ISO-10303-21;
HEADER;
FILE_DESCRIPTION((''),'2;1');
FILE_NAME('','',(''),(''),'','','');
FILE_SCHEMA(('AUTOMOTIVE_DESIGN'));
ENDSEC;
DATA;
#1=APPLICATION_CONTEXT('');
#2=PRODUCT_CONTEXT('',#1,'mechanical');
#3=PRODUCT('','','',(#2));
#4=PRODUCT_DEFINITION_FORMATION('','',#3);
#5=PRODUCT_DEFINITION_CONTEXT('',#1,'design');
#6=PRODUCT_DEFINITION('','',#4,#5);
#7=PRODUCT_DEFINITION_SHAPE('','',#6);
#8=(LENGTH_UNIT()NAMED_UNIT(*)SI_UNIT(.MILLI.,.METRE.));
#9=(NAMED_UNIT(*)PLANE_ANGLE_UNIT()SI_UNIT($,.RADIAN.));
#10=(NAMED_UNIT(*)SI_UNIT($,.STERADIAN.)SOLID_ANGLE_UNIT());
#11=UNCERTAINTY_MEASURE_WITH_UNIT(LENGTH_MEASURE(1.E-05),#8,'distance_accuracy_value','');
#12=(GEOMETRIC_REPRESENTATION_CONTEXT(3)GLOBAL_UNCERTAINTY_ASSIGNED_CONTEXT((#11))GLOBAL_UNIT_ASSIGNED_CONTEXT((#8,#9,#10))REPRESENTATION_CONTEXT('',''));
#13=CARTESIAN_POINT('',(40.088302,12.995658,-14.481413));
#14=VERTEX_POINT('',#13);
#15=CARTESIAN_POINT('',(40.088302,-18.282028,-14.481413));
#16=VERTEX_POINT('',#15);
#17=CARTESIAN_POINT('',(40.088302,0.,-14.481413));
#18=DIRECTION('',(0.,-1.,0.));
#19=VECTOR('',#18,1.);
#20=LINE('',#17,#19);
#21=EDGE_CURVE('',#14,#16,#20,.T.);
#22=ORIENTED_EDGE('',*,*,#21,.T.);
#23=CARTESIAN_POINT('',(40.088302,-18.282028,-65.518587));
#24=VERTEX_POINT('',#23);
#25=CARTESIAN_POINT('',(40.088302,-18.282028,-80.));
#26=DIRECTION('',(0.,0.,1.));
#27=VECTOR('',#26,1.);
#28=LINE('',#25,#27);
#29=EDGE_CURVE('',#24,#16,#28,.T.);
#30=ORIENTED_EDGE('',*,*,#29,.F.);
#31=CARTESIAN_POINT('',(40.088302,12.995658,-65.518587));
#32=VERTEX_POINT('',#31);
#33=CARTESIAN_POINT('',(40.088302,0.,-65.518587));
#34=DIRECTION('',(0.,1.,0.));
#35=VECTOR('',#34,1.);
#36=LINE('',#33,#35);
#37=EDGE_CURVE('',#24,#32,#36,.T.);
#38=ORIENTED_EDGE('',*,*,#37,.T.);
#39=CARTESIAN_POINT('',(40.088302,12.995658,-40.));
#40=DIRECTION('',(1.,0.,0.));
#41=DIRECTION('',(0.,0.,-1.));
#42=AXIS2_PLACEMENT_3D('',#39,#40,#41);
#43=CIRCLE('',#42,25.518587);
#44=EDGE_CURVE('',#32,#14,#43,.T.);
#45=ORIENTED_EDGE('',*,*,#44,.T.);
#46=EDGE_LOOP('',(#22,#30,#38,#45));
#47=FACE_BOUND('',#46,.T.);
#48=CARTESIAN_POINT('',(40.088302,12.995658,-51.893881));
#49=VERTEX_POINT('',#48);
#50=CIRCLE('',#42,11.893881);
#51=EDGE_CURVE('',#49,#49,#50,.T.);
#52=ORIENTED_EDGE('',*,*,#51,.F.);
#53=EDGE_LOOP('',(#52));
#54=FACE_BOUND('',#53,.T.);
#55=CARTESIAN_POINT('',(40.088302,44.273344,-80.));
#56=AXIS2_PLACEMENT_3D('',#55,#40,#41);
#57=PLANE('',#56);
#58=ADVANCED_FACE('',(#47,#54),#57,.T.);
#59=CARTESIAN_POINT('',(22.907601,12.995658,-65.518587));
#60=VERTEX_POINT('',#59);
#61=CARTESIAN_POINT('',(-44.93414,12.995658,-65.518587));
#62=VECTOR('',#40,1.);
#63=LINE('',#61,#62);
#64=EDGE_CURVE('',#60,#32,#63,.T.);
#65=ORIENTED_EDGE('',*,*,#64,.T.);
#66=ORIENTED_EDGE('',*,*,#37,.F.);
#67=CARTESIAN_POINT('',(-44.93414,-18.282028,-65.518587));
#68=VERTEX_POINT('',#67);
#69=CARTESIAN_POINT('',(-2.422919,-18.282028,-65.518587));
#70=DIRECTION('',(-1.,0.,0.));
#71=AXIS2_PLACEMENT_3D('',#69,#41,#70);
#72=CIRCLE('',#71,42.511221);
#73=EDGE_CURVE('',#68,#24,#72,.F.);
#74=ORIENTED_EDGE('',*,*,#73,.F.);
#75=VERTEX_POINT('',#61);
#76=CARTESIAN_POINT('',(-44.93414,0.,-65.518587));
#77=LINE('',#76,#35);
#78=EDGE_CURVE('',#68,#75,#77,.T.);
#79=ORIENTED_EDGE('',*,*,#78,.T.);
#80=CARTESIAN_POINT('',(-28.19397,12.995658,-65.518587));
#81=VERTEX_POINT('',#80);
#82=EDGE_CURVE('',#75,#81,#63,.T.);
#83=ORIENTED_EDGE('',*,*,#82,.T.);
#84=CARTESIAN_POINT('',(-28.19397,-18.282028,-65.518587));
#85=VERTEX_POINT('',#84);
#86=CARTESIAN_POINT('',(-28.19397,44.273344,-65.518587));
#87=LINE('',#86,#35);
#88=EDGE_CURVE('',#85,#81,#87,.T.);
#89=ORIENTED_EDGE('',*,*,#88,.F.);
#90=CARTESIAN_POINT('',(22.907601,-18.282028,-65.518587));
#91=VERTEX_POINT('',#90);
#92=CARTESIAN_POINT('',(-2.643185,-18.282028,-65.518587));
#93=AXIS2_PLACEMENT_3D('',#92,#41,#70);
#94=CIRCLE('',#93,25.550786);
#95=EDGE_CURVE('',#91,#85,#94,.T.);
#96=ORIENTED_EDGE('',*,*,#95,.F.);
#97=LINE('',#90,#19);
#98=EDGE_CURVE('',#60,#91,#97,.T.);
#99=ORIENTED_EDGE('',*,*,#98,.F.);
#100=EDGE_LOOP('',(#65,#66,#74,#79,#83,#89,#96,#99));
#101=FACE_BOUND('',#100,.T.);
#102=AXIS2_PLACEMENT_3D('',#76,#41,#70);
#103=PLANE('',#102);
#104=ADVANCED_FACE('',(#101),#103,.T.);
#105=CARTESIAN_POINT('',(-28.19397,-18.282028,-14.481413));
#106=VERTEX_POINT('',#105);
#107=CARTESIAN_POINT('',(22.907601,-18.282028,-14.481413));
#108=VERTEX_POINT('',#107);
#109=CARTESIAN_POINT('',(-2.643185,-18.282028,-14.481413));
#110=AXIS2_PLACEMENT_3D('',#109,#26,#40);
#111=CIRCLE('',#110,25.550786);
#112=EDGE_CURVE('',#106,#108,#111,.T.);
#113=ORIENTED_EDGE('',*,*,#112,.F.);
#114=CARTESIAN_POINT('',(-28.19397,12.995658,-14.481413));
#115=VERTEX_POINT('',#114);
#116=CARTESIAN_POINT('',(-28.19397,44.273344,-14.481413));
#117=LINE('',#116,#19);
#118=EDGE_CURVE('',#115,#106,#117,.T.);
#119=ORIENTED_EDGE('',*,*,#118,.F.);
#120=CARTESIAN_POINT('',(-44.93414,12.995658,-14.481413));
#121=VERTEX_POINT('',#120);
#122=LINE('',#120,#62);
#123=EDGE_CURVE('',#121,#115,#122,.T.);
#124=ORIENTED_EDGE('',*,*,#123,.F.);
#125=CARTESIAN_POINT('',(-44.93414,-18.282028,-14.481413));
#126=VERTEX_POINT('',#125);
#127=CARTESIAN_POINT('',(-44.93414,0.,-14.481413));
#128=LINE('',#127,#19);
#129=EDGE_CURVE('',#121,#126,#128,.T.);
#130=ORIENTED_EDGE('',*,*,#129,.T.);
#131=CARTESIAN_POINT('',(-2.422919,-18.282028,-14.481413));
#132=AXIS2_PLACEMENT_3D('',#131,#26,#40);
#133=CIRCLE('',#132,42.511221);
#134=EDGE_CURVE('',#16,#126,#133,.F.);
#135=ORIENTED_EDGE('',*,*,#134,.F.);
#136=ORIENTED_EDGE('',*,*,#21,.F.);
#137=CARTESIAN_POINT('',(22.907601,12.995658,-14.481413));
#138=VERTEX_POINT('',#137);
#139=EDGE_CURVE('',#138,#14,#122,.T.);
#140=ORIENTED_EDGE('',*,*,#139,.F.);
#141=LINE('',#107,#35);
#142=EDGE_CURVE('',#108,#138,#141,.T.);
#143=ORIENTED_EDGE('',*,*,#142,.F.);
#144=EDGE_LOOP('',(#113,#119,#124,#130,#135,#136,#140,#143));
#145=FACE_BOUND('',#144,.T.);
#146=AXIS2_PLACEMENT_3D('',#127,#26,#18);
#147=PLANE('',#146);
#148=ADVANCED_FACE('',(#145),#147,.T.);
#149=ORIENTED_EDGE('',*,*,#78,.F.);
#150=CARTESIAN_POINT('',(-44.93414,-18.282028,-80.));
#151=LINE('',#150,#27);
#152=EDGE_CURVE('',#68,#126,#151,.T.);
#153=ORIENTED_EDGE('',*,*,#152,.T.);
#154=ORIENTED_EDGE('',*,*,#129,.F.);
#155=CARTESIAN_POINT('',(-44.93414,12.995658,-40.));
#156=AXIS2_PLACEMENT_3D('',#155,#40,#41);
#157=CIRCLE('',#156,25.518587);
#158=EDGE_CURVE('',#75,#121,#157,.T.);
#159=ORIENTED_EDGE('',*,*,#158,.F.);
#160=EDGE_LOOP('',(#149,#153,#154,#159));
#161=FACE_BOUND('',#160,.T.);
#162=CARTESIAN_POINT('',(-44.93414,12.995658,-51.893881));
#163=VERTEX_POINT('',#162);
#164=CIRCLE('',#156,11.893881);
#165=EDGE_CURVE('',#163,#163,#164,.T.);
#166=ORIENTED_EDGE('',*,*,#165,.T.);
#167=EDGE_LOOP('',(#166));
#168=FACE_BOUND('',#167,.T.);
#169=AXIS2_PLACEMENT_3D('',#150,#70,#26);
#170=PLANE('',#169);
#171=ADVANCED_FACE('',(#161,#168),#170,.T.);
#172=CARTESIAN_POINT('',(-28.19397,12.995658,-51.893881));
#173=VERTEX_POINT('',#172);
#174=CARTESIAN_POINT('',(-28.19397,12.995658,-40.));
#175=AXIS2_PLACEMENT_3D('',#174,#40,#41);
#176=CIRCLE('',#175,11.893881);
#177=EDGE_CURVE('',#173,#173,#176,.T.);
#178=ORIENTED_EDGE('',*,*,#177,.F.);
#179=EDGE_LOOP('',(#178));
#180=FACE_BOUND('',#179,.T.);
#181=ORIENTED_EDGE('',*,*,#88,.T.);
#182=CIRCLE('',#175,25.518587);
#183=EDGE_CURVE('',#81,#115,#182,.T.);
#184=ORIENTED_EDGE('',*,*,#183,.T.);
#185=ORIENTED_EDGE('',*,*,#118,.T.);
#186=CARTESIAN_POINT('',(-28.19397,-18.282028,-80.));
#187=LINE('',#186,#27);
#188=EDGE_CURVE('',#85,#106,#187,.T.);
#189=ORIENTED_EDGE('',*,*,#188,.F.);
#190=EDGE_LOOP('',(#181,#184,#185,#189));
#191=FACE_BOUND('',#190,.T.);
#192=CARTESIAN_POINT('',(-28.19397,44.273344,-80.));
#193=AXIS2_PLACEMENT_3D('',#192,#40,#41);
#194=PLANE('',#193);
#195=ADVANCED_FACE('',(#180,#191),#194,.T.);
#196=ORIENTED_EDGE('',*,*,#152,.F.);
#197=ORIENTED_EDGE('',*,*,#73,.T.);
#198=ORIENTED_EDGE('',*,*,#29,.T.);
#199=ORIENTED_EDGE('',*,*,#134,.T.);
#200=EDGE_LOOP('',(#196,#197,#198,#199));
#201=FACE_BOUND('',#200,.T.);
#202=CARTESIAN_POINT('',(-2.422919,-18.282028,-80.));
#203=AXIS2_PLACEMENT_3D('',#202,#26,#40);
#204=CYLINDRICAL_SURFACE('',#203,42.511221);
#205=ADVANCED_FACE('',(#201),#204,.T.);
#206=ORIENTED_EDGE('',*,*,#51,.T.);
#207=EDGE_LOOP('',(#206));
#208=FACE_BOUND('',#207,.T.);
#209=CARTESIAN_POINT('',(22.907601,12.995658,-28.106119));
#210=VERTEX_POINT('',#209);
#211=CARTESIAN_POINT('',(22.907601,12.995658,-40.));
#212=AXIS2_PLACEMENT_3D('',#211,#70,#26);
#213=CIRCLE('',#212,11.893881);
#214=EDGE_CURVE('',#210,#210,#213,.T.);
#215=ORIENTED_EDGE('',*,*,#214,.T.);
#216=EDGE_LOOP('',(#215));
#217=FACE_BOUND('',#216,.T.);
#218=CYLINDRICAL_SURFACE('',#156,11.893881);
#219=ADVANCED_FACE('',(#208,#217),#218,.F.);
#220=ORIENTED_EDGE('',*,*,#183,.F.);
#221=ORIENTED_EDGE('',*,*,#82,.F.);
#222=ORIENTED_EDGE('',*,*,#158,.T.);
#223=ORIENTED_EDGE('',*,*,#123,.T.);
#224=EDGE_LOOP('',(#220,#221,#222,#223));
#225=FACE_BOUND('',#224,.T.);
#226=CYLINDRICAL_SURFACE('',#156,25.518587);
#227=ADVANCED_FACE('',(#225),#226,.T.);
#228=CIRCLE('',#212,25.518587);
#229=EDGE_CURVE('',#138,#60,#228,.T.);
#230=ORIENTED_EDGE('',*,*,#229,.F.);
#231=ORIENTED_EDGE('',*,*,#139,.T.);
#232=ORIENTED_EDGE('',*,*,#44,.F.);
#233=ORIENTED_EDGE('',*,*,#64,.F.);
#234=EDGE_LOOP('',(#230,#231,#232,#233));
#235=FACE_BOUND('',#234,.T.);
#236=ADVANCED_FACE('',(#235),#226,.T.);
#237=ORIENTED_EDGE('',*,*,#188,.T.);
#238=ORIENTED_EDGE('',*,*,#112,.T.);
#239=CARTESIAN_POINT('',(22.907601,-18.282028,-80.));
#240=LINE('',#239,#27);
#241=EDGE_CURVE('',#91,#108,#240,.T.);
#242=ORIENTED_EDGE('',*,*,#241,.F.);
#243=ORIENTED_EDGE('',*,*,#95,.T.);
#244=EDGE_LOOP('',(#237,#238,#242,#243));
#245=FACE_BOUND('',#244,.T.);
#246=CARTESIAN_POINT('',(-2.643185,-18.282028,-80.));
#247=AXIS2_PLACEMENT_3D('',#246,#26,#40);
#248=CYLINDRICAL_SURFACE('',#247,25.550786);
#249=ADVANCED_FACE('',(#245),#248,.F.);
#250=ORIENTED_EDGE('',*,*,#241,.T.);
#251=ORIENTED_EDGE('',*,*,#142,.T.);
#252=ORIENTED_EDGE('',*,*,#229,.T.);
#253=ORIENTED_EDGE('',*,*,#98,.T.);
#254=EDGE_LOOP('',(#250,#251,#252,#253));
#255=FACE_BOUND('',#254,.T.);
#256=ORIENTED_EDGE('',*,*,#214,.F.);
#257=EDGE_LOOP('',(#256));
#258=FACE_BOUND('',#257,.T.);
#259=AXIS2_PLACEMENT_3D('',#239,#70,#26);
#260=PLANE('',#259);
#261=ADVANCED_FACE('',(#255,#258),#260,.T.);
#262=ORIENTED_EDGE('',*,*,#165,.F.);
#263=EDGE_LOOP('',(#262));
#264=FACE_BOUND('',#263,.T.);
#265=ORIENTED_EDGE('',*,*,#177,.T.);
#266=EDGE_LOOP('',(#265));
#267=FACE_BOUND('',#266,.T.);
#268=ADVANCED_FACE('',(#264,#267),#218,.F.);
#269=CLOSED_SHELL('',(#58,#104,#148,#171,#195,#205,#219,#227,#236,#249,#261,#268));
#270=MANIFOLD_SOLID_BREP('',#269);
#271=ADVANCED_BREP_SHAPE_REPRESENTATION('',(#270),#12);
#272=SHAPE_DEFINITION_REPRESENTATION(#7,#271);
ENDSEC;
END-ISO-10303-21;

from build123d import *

# Parameters (mm, degrees)
BOSS_EXTRUDE1_DEPTH = 80
CUT_EXTRUDE4_DEPTH  = 86.022442091
SKETCH3_W           = 85.02244209
SKETCH3_H           = 14.481412897
CUT_EXTRUDE5_DEPTH  = 61.793248749
SKETCH4_R           = 11.893880873
CUT_EXTRUDE6_DEPTH  = 86.022442091


with BuildPart() as part:
    # Sketch1 → Boss-Extrude1 (new body)
    with BuildSketch(Plane.XY):
        with BuildLine():
            Line((40.088301711, 44.273344197), (40.088301711, -18.282027703))
            ThreePointArc((40.088301711, -18.282027703), (-2.422919334, -60.793248749), (-44.934140379, -18.282027703))
            Line((-44.934140379, -18.282027703), (-44.934140379, 44.273344197))
            Line((-44.934140379, 44.273344197), (-28.193970434, 44.273344197))
            Line((-28.193970434, 44.273344197), (-28.193970434, -18.282027703))
            ThreePointArc((-28.193970434, -18.282027703), (-2.643184728, -43.832813409), (22.907600978, -18.282027703))
            Line((22.907600978, -18.282027703), (22.907600978, 44.273344197))
            Line((22.907600978, 44.273344197), (40.088301711, 44.273344197))
        make_face()
    extrude(amount=-BOSS_EXTRUDE1_DEPTH)

    # Sketch2 → Cut-Extrude4 (cut, through all)
    with BuildSketch(Plane(origin=(40.088301711, 0, 0), x_dir=(0, 0, -1), z_dir=(1, 0, 0))):
        with BuildLine():
            Line((14.481412897, -18.282027703), (14.481412897, 12.995658247))
            ThreePointArc((14.481412897, 12.995658247), (40, 38.51424535), (65.518587103, 12.995658247))
            Line((65.518587103, 12.995658247), (65.518587103, -18.282027703))
            Line((65.518587103, -18.282027703), (80, -18.282027703))
            Line((80, -18.282027703), (80, 44.273344197))
            Line((80, 44.273344197), (0, 44.273344197))
            Line((0, 44.273344197), (0, -18.282027703))
            Line((0, -18.282027703), (14.481412897, -18.282027703))
        make_face()
    extrude(amount=-CUT_EXTRUDE4_DEPTH, mode=Mode.SUBTRACT)

    # Sketch3 → Cut-Extrude5 (cut, through all)
    with BuildSketch(Plane(origin=(0, 0, 0), x_dir=(1, 0, 0), z_dir=(0, 1, 0))):
        with Locations((-2.422919334, 7.240706449)):
            Rectangle(SKETCH3_W, SKETCH3_H)
        with Locations((-2.422919334, 72.759293552)):
            Rectangle(SKETCH3_W, SKETCH3_H)
    extrude(amount=-CUT_EXTRUDE5_DEPTH, mode=Mode.SUBTRACT)

    # Sketch4 → Cut-Extrude6 (cut, through all)
    with BuildSketch(Plane(origin=(40.088301711, 0, 0), x_dir=(0, 0, -1), z_dir=(1, 0, 0))):
        with Locations((40, 12.995658247)):
            Circle(SKETCH4_R)
    extrude(amount=-CUT_EXTRUDE6_DEPTH, mode=Mode.SUBTRACT)


solid = part.part
